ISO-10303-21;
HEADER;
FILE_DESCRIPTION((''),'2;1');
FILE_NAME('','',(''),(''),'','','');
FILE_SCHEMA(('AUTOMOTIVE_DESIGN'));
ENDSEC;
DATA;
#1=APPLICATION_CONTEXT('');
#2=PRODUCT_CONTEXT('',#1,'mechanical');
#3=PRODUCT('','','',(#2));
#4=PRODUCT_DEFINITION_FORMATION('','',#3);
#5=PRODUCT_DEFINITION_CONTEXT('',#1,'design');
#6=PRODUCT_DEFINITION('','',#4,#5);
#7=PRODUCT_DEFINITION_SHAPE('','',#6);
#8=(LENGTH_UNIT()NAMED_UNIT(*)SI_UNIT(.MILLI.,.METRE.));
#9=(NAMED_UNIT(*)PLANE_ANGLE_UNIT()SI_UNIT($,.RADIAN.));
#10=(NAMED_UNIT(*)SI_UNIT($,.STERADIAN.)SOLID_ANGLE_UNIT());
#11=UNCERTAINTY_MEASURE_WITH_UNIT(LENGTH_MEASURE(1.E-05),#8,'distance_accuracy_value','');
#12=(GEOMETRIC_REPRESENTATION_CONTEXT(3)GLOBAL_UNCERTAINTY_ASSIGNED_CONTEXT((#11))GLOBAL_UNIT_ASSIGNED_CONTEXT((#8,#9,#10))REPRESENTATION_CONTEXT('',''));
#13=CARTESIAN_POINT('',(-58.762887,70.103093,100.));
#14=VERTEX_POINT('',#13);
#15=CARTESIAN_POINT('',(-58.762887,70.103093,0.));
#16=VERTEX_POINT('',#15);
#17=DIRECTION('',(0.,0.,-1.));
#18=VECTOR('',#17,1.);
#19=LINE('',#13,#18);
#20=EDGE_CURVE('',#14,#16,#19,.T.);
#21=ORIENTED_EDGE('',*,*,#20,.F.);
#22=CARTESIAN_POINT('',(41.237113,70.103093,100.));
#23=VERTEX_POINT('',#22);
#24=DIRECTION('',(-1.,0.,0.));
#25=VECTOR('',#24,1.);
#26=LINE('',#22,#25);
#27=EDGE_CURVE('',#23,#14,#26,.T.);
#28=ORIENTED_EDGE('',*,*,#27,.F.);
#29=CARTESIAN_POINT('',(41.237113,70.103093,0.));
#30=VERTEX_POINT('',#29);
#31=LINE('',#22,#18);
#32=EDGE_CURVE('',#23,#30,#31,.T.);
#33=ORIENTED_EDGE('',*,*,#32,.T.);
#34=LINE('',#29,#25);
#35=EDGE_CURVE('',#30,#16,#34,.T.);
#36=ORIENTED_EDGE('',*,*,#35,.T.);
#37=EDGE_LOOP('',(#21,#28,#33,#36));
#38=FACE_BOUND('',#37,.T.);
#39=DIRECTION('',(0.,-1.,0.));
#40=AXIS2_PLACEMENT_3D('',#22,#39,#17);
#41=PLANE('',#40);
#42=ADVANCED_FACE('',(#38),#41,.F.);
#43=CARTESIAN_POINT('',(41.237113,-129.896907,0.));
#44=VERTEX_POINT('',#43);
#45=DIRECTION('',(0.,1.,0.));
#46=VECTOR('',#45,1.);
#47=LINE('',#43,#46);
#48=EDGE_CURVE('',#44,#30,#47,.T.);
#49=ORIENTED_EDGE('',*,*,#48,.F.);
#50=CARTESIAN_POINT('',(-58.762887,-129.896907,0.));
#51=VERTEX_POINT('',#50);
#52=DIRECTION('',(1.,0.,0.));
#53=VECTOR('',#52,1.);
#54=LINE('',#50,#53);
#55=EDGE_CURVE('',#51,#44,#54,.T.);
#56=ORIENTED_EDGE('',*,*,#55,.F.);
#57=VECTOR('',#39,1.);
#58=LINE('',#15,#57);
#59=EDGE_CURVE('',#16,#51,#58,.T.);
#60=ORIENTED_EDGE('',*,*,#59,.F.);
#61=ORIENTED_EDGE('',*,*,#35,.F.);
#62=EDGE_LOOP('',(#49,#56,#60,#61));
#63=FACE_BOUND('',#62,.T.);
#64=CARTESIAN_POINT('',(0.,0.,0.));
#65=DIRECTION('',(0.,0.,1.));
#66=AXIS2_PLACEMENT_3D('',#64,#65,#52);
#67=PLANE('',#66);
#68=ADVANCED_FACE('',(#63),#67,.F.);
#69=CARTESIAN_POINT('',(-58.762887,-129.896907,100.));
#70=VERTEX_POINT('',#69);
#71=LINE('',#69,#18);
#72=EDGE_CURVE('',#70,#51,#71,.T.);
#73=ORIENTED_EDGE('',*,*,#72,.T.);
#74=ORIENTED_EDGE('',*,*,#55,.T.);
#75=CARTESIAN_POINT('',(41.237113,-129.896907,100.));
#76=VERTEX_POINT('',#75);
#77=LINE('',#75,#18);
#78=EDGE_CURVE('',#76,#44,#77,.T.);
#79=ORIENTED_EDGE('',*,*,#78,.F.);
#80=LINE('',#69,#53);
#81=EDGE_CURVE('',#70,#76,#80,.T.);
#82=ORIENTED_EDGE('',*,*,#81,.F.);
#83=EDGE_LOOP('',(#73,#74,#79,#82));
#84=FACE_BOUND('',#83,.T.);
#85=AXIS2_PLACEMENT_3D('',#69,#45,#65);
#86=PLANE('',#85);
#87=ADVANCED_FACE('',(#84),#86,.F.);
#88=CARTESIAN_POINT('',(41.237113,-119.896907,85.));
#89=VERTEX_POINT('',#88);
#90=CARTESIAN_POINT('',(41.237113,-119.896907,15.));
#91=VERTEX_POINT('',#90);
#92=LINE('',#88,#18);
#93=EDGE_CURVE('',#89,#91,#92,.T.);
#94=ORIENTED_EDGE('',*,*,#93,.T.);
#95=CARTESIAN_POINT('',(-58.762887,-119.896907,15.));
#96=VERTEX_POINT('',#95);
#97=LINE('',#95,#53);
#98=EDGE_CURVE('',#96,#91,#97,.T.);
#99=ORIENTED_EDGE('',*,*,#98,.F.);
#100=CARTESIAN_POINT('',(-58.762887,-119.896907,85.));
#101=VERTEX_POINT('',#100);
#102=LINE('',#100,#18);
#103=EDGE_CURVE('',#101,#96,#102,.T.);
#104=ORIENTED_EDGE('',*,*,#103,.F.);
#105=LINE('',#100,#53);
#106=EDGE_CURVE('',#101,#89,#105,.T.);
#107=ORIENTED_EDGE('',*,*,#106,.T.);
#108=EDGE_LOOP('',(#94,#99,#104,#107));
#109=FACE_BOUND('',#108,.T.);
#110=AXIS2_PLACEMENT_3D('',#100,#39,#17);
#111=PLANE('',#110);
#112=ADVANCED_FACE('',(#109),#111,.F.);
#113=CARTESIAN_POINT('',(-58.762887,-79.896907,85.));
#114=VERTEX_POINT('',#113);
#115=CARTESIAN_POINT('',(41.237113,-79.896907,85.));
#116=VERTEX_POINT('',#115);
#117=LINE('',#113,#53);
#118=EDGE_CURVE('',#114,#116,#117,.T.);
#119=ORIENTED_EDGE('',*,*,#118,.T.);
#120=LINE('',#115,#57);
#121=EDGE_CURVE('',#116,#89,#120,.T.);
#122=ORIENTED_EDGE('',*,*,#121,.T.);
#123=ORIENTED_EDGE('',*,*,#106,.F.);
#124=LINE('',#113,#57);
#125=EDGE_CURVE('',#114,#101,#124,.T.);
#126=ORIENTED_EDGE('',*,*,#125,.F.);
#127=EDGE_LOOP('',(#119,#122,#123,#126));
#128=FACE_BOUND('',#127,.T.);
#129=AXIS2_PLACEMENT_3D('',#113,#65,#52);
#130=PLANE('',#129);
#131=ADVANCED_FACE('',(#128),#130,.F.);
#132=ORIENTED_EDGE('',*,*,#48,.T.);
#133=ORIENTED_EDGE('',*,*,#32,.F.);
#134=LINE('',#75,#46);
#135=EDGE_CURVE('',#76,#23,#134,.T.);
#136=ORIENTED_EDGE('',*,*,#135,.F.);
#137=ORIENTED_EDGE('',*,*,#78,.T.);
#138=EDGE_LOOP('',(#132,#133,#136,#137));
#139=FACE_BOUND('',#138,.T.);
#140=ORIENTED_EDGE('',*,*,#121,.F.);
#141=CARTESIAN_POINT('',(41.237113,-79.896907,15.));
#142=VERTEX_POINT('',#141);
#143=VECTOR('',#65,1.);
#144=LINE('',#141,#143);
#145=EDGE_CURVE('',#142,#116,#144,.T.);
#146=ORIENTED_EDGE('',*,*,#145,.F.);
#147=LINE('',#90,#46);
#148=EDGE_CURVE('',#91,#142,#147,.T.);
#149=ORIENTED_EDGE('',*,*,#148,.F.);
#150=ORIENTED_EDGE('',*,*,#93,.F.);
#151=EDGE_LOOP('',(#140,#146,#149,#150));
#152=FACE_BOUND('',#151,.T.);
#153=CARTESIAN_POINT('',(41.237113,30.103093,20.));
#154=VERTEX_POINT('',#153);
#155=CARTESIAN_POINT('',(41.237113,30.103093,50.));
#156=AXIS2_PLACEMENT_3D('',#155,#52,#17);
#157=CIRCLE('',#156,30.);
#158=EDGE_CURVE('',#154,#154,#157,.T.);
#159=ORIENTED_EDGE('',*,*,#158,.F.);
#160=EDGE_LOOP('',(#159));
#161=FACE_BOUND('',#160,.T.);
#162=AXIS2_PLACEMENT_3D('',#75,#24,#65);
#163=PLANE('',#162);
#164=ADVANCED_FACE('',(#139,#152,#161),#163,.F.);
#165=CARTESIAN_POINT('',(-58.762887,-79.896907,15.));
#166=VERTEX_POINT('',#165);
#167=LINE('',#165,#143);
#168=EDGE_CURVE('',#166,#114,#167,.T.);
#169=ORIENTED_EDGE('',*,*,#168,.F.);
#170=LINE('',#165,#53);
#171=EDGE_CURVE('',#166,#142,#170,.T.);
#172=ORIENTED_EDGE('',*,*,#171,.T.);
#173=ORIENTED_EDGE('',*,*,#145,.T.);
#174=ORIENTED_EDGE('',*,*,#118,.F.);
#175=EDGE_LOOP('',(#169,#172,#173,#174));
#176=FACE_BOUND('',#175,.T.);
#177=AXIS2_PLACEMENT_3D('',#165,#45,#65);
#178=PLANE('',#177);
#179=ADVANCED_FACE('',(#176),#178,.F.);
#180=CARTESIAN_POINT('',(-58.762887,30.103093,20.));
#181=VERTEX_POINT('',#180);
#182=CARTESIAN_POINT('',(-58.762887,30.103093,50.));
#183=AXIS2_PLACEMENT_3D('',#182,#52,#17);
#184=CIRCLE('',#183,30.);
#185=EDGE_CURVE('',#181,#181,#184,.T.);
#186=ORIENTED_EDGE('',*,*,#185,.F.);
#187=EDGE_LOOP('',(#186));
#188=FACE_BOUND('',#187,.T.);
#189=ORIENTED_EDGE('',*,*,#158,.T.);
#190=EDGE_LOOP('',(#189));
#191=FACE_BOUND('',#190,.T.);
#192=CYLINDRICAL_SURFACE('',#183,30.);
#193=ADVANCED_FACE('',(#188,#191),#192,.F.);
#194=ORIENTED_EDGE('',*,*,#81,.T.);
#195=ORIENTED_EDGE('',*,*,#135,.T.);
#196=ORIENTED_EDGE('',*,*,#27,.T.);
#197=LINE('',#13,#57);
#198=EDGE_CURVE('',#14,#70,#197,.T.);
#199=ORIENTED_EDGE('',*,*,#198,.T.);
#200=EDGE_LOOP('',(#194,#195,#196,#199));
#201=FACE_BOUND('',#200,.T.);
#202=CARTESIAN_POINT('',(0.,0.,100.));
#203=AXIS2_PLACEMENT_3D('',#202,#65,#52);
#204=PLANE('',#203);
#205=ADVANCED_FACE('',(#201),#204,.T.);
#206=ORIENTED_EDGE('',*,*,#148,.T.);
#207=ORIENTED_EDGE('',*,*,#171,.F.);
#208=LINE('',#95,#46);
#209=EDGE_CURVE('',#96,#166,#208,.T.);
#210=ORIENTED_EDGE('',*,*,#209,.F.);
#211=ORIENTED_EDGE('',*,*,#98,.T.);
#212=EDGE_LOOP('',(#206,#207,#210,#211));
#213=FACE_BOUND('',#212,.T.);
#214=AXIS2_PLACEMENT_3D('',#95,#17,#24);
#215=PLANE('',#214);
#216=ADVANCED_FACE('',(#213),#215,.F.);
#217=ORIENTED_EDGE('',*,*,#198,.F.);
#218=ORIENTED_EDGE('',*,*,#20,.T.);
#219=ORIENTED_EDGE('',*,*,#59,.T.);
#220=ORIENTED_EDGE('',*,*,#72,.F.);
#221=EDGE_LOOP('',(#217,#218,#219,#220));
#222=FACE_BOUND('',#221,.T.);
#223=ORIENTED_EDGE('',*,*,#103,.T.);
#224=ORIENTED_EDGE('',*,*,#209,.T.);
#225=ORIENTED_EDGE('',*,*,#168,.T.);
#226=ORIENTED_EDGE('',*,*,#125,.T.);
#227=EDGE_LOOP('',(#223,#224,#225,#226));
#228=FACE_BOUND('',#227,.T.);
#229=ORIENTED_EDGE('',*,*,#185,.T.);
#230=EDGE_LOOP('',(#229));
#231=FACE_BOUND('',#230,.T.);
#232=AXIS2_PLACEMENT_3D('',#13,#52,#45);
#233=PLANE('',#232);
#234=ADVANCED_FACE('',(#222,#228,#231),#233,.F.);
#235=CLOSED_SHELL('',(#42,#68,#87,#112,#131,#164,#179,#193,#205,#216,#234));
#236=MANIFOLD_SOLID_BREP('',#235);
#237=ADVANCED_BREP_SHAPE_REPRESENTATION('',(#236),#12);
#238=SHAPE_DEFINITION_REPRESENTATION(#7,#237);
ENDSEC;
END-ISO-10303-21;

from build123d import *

# Parameters (mm, degrees)
SKETCH_1_W          = 100
SKETCH_1_H          = 200
EXTRUDE_1_DEPTH     = 100
SKETCH_2_R          = 30
SKETCH_2_W          = 70
SKETCH_2_H          = 40
CUT_EXTRUDE_1_DEPTH = 101


with BuildPart() as part:
    # 草图1 → 凸台-拉伸1 (new body)
    with BuildSketch(Plane.XY):
        with Locations((-8.762886598, -29.896907216)):
            Rectangle(SKETCH_1_W, SKETCH_1_H)
    extrude(amount=EXTRUDE_1_DEPTH)

    # 草图2 → 切除-拉伸1 (cut, through all)
    with BuildSketch(Plane(origin=(41.237113402, 0, 0), x_dir=(0, 0, -1), z_dir=(1, 0, 0))):
        with Locations((-50, 30.103092784)):
            Circle(SKETCH_2_R)
        with Locations((-50, -99.896907216)):
            Rectangle(SKETCH_2_W, SKETCH_2_H)
    extrude(amount=-CUT_EXTRUDE_1_DEPTH, mode=Mode.SUBTRACT)


solid = part.part
